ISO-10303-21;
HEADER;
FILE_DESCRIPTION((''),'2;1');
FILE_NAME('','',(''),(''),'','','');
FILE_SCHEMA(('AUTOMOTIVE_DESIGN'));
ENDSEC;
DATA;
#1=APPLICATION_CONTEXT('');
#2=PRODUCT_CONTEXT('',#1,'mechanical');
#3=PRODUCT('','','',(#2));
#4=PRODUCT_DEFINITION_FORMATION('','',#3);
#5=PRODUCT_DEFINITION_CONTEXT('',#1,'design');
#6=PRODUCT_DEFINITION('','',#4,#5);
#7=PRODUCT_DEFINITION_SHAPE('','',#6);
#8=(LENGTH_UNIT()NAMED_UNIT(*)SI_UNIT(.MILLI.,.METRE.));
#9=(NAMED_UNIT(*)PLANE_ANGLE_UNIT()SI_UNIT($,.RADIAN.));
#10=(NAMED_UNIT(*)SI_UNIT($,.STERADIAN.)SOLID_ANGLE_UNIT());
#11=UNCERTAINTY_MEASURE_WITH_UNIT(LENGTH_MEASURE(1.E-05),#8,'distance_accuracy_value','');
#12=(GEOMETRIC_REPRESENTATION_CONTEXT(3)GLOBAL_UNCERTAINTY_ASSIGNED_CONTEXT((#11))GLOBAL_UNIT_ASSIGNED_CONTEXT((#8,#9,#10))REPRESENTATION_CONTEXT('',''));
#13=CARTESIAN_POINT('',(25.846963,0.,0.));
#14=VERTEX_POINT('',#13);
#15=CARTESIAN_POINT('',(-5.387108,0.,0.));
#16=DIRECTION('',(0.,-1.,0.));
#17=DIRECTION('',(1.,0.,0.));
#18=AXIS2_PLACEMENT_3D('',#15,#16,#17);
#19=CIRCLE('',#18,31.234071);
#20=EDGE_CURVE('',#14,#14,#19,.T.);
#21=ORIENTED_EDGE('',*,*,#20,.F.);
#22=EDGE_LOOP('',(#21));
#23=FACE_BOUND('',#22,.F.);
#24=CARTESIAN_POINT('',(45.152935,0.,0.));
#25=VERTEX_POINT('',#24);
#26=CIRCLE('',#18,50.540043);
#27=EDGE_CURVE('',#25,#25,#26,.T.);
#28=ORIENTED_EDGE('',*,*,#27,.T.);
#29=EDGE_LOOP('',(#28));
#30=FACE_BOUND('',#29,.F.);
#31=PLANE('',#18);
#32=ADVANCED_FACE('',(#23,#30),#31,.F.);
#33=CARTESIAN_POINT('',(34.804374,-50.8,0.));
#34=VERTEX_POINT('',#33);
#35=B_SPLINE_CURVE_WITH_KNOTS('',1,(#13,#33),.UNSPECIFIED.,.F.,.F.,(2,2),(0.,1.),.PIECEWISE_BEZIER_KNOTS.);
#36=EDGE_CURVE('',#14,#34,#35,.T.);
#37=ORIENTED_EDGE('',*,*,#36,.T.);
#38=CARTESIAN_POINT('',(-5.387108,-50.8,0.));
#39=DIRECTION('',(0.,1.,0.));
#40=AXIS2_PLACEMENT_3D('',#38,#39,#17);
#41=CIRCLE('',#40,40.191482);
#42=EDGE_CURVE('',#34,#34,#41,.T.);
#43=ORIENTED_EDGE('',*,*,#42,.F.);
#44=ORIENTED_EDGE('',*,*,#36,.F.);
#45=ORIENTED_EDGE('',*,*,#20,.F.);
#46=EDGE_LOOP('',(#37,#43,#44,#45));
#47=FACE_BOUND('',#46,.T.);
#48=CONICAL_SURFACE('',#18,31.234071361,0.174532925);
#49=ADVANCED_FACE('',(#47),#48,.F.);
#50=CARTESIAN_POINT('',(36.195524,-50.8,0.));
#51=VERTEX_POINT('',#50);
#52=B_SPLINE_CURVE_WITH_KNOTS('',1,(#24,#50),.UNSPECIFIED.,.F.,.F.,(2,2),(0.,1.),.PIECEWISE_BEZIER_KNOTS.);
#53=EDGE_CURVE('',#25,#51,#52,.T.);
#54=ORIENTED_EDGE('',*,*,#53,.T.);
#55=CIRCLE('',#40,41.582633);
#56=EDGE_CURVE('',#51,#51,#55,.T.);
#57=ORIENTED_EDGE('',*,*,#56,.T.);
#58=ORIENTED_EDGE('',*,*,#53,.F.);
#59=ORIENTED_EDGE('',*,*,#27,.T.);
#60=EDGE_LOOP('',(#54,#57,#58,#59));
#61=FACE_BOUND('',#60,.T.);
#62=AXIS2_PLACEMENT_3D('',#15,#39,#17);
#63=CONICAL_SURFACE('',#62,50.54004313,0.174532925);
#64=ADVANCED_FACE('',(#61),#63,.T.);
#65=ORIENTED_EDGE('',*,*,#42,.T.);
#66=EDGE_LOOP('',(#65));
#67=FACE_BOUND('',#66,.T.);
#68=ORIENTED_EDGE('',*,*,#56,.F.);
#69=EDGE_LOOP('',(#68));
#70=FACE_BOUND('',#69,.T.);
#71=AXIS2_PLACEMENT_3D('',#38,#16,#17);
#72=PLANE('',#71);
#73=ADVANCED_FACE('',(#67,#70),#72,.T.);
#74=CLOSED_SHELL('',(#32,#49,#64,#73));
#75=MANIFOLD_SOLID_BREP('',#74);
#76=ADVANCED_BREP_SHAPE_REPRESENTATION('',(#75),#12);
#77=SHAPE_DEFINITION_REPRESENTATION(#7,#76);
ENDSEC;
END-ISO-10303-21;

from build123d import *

# Parameters (mm, degrees)
F0_R     = 50.54004313
F0_R_2   = 31.2340713611
F1_DEPTH = 50.8
F1_TAPER = 10


with BuildPart() as f1:
    # F0 (on Front) → F1 (new body)
    with BuildSketch(Plane.XZ):
        with Locations((-5.3871083073, 0)):
            Circle(F0_R)
        with Locations((-5.3871083073, 0)):
            Circle(F0_R_2, mode=Mode.SUBTRACT)
    extrude(amount=F1_DEPTH, taper=F1_TAPER)


solid = f1.part
